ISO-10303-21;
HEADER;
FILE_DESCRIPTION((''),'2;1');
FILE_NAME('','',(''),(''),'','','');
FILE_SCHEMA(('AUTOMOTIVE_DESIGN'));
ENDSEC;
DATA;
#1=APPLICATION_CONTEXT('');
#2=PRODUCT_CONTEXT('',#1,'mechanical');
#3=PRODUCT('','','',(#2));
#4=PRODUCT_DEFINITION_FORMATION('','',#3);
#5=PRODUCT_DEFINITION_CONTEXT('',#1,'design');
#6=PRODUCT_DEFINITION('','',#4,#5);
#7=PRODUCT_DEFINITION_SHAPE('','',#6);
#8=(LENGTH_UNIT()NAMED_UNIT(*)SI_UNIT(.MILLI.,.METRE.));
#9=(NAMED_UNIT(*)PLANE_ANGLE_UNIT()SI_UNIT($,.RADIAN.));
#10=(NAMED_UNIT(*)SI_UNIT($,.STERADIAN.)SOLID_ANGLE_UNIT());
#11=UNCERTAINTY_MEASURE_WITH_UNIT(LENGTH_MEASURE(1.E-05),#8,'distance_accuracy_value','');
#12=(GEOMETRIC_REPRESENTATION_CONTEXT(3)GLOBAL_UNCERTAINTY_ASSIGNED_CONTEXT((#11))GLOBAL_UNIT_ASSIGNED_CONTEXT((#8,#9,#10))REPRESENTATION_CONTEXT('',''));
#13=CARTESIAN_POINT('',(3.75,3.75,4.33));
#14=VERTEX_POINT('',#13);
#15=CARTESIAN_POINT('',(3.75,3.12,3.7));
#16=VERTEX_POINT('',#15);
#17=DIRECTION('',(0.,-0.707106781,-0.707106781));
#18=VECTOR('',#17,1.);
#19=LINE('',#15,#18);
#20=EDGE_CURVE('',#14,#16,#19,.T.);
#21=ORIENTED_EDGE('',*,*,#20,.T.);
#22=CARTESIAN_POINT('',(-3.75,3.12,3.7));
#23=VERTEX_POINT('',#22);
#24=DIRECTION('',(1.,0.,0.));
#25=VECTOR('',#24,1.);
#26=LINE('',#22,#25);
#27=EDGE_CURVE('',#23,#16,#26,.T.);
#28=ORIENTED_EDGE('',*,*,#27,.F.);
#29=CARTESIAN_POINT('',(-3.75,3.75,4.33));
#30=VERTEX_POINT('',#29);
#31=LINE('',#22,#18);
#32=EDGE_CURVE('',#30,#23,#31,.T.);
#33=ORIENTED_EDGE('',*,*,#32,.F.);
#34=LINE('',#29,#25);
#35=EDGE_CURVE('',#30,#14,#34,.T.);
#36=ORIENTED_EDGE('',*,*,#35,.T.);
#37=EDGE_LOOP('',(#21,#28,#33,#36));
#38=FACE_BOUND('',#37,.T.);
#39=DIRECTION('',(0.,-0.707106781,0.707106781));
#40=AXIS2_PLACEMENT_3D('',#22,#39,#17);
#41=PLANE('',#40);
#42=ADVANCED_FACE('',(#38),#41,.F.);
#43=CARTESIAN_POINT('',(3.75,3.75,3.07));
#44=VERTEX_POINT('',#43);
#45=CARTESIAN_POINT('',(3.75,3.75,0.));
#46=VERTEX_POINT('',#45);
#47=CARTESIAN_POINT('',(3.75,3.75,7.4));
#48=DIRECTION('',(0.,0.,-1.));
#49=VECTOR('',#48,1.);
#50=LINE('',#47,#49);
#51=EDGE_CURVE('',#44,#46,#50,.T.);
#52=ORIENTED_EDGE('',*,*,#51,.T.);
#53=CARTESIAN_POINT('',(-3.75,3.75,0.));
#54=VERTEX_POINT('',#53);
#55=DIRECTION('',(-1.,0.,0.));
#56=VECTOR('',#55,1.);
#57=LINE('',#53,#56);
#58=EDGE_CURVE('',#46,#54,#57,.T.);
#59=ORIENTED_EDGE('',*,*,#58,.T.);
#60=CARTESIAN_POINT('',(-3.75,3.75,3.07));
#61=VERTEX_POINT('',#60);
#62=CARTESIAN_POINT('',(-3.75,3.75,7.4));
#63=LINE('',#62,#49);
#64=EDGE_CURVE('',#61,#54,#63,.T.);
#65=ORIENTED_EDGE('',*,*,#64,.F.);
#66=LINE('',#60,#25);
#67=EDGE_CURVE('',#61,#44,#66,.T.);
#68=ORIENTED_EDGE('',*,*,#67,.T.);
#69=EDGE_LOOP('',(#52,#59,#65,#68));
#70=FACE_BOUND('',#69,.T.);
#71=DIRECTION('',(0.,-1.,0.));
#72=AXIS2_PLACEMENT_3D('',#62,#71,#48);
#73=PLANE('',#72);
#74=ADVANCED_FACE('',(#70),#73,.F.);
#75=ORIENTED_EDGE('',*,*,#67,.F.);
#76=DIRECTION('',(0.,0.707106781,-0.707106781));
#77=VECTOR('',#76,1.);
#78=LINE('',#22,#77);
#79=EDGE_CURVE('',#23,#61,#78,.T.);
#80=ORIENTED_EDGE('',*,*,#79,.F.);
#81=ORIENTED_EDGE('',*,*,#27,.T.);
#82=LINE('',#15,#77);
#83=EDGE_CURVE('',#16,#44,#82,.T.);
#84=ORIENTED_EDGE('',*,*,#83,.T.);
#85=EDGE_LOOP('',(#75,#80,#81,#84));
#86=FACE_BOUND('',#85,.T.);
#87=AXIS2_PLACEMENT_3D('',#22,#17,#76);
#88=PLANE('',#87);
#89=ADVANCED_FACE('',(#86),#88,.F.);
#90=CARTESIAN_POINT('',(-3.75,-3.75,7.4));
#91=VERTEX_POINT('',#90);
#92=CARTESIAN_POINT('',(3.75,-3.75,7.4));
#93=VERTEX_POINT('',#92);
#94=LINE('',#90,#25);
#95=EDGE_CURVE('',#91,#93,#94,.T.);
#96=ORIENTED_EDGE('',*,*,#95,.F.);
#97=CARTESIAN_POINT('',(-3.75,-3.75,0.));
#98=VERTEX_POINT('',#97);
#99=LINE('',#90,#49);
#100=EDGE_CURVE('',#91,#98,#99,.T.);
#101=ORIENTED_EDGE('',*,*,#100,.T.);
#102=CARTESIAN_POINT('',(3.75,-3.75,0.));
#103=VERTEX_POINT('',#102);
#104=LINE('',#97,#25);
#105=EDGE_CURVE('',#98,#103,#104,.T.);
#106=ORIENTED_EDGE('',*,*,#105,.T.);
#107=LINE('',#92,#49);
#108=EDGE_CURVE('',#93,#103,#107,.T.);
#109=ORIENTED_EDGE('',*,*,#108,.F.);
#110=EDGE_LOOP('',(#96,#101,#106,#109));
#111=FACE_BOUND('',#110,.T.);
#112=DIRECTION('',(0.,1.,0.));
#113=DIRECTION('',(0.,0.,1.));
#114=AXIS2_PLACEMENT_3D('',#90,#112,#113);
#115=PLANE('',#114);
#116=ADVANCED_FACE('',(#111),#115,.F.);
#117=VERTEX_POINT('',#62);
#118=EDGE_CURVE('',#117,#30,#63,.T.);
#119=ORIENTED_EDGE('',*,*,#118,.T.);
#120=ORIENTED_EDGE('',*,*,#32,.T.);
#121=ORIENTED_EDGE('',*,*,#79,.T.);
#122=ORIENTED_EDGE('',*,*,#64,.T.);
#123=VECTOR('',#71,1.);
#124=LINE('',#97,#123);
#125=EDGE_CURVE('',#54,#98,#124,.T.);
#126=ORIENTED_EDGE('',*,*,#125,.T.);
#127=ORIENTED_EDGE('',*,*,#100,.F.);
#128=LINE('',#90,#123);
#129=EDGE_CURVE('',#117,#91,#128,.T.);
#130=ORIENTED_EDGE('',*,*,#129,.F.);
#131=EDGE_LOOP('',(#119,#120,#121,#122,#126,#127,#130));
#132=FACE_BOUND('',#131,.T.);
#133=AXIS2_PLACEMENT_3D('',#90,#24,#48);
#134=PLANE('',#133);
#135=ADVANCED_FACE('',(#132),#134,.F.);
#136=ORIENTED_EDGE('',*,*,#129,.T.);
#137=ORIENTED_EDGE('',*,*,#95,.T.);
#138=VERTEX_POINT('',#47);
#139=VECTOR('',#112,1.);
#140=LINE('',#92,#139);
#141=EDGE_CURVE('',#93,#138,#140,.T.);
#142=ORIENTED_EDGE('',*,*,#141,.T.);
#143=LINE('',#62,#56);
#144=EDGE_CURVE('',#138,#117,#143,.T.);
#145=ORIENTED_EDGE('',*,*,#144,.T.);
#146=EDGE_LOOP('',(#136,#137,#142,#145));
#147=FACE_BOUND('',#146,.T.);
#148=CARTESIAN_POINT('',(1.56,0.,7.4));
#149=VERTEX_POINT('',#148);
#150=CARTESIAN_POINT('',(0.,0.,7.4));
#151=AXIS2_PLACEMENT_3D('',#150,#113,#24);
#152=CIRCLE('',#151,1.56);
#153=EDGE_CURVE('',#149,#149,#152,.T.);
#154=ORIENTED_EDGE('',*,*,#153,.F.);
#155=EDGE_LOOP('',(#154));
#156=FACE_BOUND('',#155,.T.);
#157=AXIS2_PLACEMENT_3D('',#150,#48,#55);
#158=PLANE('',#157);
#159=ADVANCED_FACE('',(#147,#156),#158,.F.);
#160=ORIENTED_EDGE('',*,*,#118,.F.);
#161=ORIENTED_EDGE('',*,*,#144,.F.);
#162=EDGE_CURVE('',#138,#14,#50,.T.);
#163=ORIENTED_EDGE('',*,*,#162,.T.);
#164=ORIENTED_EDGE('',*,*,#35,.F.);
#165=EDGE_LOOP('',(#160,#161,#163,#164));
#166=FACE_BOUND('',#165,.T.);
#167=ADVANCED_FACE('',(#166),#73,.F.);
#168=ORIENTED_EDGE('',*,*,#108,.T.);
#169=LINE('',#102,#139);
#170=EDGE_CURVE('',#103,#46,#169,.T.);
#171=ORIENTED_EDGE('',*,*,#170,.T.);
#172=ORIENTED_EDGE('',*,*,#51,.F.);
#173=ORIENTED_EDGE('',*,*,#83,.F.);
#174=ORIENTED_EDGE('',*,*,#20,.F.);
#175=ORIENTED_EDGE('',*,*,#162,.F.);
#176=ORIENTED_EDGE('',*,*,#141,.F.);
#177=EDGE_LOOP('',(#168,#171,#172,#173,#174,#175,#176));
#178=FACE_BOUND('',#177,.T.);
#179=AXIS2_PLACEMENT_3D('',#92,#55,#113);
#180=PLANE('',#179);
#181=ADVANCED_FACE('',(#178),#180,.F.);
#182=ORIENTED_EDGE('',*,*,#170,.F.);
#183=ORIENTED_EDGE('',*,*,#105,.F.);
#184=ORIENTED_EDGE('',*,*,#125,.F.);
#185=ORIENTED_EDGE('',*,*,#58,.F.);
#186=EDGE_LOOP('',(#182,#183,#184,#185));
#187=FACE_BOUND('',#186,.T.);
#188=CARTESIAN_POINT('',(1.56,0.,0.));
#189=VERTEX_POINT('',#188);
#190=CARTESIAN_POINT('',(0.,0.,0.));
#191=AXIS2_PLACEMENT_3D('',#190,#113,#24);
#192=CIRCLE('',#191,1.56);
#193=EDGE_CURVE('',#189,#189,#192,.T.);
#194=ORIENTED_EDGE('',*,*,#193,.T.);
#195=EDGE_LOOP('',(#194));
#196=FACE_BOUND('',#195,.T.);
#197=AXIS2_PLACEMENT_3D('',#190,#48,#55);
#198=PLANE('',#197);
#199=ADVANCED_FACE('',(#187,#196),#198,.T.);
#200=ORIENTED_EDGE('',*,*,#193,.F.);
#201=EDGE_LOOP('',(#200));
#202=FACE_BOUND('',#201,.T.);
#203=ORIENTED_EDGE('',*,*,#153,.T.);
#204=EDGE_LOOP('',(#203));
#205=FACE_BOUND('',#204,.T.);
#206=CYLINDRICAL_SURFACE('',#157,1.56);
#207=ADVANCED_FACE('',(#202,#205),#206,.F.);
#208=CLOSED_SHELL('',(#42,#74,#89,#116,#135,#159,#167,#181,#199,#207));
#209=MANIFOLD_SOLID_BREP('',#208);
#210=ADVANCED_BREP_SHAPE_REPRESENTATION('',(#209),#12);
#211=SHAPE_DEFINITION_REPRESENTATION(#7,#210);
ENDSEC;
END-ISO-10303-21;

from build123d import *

# Parameters (mm, degrees)
SKETCH1_W           = 7.5
SKETCH1_H           = 7.5
SKETCH1_R           = 1.56
BOSS_EXTRUDE1_DEPTH = 7.4
CUT_EXTRUDE1_DEPTH  = 8.5


with BuildPart() as part:
    # Sketch1 → Boss-Extrude1 (new body)
    with BuildSketch(Plane.XY):
        Rectangle(SKETCH1_W, SKETCH1_H)
        Circle(SKETCH1_R, mode=Mode.SUBTRACT)
    extrude(amount=BOSS_EXTRUDE1_DEPTH)

    # Sketch2 → Cut-Extrude1 (cut, through all)
    with BuildSketch(Plane(origin=(3.75, 0, 0), x_dir=(0, 0, -1), z_dir=(1, 0, 0))):
        Polygon((-3.7, 3.12), (-4.33, 3.75), (-3.07, 3.75), align=None)
    extrude(amount=-CUT_EXTRUDE1_DEPTH, mode=Mode.SUBTRACT)


solid = part.part
